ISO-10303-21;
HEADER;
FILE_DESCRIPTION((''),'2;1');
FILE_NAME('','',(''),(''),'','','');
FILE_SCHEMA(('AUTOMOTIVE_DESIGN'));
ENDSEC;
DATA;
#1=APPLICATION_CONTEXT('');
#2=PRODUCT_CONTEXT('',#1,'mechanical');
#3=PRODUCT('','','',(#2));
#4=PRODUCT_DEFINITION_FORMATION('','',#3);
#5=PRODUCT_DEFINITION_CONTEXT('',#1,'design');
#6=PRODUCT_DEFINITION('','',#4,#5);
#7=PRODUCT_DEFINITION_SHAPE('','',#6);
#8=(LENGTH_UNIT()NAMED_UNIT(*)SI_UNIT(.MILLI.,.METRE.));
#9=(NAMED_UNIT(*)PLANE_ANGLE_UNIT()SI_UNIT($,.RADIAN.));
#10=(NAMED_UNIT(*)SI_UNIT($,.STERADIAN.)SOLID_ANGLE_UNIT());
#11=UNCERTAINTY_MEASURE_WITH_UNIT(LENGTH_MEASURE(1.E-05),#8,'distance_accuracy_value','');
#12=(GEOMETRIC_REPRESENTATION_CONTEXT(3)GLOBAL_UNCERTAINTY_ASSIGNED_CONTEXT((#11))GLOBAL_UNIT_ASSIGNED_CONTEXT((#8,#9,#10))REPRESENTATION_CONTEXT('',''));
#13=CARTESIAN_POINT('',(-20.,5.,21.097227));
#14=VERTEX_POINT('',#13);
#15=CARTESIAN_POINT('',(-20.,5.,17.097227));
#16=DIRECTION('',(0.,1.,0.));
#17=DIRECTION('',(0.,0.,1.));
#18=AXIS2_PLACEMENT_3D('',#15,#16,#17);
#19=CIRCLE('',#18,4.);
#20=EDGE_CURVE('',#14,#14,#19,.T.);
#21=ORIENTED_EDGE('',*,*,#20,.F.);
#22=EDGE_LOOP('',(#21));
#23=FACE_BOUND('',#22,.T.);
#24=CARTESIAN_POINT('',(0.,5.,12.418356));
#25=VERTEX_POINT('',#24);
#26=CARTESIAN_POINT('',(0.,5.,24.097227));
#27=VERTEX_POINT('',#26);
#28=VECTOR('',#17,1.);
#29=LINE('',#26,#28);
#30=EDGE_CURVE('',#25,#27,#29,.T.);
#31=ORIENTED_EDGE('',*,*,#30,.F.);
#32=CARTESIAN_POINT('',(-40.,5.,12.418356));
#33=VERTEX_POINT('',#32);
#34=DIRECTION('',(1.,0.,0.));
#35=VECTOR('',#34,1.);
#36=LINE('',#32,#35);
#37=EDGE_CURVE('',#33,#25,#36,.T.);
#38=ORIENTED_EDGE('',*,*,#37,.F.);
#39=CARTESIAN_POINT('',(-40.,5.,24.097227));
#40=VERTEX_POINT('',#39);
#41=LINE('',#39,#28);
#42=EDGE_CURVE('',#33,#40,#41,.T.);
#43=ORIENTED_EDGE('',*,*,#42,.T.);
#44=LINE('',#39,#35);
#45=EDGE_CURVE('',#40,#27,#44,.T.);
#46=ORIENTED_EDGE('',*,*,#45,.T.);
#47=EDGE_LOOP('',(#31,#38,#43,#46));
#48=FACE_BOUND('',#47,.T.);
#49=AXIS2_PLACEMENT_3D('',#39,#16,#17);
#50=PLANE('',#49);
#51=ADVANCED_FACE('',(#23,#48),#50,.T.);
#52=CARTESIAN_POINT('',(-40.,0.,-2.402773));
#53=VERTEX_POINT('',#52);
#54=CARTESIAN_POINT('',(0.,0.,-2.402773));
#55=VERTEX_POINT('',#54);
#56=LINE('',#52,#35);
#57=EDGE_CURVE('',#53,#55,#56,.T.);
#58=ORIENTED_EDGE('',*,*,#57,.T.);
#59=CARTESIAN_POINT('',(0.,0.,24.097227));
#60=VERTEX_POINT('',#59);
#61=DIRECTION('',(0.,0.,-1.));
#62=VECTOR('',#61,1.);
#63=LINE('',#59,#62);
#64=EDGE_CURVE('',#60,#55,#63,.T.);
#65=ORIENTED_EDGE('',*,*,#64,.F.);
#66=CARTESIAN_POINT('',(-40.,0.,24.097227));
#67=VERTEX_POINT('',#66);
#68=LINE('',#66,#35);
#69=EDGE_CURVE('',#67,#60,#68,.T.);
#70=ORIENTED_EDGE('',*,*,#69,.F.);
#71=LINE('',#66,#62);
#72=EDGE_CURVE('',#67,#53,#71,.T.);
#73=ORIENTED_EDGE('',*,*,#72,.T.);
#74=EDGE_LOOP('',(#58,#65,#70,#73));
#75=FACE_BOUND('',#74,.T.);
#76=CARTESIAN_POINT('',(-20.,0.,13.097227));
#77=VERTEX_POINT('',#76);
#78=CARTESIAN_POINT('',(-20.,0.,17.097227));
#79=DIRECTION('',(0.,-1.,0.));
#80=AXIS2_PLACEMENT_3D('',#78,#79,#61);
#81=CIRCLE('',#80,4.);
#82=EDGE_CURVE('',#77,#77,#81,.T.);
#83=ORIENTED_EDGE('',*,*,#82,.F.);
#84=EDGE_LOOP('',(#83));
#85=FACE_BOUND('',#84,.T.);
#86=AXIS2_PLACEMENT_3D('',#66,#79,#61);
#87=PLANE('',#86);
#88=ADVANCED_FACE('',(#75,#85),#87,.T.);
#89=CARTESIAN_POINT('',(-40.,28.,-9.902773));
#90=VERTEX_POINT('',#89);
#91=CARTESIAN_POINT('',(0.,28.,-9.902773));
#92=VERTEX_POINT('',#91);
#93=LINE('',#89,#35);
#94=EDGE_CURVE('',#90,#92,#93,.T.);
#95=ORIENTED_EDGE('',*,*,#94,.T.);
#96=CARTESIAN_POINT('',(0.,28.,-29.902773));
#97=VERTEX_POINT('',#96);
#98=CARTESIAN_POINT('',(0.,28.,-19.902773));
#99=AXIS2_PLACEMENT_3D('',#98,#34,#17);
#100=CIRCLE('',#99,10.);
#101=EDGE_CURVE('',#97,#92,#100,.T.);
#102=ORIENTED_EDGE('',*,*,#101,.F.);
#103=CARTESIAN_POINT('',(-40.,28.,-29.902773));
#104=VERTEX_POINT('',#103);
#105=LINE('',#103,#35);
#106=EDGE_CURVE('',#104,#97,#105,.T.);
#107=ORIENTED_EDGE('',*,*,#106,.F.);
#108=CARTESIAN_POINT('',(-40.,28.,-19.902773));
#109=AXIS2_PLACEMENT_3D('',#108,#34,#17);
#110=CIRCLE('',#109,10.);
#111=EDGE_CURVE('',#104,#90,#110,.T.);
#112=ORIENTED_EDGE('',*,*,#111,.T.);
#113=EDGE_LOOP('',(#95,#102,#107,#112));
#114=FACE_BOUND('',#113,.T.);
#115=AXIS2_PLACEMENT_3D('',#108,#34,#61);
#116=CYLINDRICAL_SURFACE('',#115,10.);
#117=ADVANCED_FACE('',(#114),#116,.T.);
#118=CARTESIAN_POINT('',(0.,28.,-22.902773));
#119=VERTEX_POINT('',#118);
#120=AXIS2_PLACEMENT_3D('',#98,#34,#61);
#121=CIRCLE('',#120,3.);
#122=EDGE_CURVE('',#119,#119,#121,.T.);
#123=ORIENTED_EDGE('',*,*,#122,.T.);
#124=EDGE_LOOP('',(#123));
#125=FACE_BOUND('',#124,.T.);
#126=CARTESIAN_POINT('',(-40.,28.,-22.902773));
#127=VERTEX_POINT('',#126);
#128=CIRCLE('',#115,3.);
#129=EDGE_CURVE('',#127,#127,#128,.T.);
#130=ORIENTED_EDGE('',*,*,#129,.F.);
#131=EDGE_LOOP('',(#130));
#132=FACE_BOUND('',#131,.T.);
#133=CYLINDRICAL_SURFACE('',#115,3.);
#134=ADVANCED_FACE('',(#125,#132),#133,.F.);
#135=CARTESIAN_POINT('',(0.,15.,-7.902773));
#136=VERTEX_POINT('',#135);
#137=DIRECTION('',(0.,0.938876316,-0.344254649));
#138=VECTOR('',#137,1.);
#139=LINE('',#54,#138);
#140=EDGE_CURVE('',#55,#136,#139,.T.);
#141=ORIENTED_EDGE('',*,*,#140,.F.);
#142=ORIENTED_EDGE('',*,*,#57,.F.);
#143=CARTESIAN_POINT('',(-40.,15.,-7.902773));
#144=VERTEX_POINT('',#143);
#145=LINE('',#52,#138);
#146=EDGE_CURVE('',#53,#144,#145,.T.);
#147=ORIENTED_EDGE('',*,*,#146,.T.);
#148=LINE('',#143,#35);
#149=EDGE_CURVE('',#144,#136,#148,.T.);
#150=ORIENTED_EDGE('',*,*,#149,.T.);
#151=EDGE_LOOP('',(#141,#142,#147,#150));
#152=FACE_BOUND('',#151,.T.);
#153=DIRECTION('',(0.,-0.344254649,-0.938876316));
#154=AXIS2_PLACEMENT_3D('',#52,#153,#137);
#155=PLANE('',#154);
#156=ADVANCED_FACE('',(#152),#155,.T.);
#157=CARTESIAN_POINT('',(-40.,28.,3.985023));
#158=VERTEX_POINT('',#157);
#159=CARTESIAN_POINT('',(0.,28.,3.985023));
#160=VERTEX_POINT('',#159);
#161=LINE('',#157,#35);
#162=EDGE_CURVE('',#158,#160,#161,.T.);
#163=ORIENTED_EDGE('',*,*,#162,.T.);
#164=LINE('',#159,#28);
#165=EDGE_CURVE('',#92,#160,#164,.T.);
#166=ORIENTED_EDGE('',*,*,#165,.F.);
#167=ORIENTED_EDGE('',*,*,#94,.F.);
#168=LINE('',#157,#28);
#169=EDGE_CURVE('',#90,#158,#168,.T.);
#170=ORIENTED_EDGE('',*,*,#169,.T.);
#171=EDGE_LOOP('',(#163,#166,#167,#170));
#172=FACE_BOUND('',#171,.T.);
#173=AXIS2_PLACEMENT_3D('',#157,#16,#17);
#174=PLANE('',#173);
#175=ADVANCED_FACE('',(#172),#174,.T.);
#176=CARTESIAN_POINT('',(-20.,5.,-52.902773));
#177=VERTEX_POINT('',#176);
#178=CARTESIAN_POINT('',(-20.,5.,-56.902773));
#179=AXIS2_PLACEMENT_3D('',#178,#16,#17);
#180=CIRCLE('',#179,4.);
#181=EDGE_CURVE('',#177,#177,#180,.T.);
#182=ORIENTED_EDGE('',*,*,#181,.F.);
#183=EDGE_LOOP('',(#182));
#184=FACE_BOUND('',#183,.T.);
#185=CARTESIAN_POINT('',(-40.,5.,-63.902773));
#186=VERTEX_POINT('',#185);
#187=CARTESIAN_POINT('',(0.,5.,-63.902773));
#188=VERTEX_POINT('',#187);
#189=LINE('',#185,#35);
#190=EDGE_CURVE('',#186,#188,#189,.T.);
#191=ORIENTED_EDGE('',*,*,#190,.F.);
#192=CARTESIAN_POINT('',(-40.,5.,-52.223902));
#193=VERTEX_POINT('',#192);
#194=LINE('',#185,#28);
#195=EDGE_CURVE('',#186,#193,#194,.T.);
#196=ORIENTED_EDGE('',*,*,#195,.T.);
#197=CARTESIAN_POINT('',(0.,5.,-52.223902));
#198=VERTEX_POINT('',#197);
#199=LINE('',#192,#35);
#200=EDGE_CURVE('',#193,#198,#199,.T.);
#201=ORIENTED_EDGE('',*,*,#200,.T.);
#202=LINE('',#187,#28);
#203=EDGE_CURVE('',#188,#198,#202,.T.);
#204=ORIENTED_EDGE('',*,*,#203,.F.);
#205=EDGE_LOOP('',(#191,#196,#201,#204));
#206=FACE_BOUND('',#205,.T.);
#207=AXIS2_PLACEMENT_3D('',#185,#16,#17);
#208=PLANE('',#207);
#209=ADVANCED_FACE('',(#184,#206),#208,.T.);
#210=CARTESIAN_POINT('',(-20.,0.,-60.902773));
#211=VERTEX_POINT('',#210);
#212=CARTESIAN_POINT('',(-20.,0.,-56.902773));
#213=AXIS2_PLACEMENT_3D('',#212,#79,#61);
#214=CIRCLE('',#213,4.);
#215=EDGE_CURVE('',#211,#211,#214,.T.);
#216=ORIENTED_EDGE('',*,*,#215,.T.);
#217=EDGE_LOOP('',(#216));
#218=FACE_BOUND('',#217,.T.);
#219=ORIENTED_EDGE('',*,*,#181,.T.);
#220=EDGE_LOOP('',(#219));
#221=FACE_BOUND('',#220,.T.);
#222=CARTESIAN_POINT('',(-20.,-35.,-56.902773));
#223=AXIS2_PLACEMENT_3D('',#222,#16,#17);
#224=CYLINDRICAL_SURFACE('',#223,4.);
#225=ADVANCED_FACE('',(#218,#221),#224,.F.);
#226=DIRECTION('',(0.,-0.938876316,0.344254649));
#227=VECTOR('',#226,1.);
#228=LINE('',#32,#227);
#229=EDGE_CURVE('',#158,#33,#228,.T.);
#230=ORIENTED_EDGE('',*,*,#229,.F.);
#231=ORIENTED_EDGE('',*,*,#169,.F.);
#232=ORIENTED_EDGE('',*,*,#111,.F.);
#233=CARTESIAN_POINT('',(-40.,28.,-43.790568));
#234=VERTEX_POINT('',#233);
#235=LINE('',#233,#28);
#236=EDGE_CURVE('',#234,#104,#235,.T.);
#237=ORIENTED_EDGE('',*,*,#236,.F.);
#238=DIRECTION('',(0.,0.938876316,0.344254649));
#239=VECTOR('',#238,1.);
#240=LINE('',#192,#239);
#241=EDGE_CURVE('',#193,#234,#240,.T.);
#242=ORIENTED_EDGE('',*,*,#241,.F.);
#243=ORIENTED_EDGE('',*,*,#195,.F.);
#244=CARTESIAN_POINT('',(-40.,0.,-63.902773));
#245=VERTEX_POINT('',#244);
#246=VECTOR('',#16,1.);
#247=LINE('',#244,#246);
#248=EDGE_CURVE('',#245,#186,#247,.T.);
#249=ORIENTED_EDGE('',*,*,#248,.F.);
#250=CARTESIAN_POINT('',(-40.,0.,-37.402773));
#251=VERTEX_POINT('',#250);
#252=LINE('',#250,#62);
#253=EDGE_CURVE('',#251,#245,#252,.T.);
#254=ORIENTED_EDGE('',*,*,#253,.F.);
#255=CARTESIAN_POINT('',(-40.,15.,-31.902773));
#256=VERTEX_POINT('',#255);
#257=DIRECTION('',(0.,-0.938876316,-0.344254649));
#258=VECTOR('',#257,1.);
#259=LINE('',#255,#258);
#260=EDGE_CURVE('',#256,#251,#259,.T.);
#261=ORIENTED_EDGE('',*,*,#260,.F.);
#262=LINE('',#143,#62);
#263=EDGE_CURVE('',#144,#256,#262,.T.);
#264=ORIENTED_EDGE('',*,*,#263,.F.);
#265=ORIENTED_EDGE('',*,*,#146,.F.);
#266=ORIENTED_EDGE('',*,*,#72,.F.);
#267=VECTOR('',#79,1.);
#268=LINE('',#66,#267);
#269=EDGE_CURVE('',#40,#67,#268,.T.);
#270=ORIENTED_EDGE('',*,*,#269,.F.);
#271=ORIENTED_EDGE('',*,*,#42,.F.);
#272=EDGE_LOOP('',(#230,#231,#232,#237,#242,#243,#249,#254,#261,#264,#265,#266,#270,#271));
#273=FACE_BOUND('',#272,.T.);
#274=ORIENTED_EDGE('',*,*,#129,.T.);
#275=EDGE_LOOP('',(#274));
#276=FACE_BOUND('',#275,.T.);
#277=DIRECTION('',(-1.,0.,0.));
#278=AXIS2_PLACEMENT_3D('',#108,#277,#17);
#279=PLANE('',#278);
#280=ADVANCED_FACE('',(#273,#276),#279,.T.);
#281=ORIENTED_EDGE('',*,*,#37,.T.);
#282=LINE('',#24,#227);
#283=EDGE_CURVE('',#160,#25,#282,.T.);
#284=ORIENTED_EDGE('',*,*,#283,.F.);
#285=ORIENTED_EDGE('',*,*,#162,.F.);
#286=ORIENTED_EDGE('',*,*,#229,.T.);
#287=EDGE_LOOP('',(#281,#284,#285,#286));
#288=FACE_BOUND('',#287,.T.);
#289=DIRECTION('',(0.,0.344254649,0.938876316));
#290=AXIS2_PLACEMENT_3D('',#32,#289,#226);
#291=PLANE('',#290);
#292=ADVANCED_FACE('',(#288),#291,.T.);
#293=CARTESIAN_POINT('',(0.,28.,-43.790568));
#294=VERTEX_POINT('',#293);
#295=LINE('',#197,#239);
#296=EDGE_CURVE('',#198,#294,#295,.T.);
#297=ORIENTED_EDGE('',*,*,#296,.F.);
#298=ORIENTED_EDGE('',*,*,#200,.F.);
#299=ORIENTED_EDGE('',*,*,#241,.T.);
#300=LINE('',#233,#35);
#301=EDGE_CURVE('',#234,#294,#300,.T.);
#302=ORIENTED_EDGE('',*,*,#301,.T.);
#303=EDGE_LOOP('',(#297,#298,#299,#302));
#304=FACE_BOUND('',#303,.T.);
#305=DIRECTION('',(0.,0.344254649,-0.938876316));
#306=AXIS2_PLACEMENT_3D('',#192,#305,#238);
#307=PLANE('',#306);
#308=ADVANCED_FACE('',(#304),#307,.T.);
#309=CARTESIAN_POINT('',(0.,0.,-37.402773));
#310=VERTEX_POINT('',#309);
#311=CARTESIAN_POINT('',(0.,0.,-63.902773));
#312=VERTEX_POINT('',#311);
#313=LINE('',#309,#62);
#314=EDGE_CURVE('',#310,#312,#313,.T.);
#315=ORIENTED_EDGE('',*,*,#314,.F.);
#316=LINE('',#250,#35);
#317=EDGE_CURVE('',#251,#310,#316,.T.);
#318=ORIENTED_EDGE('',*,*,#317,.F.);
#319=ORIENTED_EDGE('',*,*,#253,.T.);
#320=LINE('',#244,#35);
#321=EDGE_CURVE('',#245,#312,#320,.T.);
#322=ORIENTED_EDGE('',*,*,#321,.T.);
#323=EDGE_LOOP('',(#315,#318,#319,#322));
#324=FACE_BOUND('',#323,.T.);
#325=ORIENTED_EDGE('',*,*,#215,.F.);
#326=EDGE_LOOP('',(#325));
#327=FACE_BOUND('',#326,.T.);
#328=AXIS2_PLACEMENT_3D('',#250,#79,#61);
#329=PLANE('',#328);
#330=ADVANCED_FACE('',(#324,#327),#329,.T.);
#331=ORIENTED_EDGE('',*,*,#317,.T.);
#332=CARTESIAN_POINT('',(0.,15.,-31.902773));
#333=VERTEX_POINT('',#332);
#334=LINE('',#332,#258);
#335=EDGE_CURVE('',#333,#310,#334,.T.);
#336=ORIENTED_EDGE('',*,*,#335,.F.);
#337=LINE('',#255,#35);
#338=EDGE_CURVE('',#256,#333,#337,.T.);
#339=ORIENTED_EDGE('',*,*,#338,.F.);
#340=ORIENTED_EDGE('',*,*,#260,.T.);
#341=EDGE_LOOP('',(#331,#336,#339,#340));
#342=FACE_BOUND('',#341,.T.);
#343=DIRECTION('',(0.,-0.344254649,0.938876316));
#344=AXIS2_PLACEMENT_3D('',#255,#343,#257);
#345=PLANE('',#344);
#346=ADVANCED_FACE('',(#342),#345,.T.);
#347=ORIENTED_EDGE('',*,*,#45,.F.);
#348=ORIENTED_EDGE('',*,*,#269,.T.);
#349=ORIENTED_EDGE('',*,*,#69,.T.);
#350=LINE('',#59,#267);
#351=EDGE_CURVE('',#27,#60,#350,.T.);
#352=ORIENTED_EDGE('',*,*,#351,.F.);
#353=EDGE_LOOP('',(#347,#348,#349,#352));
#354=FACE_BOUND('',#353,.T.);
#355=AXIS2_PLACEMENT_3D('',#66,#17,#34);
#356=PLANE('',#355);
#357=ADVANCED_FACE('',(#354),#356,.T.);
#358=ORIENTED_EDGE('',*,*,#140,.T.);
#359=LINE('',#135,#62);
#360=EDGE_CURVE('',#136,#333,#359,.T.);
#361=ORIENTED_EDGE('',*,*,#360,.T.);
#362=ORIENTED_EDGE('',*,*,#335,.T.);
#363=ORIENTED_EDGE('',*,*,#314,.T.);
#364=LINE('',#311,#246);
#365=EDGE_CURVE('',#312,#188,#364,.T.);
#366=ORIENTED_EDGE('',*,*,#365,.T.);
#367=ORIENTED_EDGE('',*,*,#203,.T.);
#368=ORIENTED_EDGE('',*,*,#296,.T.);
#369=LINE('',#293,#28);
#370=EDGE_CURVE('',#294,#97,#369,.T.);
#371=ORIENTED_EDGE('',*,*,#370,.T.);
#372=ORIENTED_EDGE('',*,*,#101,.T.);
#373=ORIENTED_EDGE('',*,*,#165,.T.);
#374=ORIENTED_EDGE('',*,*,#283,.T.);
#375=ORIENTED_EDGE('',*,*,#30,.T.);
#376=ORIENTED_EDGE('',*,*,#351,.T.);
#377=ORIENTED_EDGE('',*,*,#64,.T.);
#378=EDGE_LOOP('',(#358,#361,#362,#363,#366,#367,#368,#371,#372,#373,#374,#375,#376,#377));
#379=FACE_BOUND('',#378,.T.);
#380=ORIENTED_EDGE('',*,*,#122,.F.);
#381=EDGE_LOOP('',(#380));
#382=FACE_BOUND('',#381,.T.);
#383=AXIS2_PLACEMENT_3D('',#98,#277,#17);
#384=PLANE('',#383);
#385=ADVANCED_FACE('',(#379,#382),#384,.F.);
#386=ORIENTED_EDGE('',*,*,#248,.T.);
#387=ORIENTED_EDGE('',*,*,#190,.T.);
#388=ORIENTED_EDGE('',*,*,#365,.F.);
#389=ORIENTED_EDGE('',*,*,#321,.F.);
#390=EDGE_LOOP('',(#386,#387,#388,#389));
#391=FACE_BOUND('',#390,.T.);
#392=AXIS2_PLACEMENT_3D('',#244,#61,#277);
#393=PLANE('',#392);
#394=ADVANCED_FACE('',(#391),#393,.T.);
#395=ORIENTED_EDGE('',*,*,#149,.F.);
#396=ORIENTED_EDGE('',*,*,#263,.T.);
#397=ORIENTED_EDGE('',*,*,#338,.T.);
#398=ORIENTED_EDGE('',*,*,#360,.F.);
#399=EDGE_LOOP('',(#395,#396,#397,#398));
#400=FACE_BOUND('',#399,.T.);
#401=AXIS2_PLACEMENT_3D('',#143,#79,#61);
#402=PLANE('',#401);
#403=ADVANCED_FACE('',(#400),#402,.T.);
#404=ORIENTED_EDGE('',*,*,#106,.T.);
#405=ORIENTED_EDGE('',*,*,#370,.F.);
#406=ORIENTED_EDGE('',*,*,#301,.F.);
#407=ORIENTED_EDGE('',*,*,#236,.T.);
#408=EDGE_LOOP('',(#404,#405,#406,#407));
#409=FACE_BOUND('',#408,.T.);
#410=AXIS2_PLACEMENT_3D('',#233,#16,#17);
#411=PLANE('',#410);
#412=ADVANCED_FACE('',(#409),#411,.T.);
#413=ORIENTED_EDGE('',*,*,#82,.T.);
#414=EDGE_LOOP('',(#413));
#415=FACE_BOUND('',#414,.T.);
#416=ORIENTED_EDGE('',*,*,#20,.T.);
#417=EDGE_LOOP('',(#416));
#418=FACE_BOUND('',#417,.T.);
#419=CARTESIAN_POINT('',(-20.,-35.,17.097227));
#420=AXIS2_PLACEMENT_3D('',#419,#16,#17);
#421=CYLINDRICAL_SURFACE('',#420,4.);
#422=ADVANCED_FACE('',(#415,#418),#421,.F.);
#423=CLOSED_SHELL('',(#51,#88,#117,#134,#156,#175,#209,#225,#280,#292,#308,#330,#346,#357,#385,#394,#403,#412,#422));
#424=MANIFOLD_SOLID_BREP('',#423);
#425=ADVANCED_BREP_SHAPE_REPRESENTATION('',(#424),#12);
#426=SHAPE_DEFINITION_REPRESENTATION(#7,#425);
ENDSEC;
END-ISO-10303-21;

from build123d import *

# Parameters (mm, degrees)
SKETCH1_R           = 3
BOSS_EXTRUDE1_DEPTH = 40
SKETCH2_R           = 4
CUT_EXTRUDE1_DEPTH  = 40


with BuildPart() as part:
    # Sketch1 → Boss-Extrude1 (new body)
    with BuildSketch(Plane(origin=(0, 0, 0), x_dir=(0, 0, -1), z_dir=(1, 0, 0))):
        with BuildLine():
            Line((-24.097227121, 0), (-24.097227121, 5))
            Line((-24.097227121, 5), (-12.418356006, 5))
            Line((-12.418356006, 5), (-3.985022672, 28))
            Line((-3.985022672, 28), (9.902772879, 28))
            ThreePointArc((9.902772879, 28), (19.902772879, 38), (29.902772879, 28))
            Line((29.902772879, 28), (43.79056843, 28))
            Line((43.79056843, 28), (52.223901764, 5))
            Line((52.223901764, 5), (63.902772879, 5))
            Line((63.902772879, 5), (63.902772879, 0))
            Line((63.902772879, 0), (37.402772879, 0))
            Line((37.402772879, 0), (31.902772879, 15))
            Line((31.902772879, 15), (7.902772879, 15))
            Line((7.902772879, 15), (2.402772879, 0))
            Line((2.402772879, 0), (-24.097227121, 0))
        make_face()
        with Locations((19.902772879, 28)):
            Circle(SKETCH1_R, mode=Mode.SUBTRACT)
    extrude(amount=-BOSS_EXTRUDE1_DEPTH)

    # Sketch2 → Cut-Extrude1 (cut)
    with BuildSketch(Plane(origin=(0, 5, 0), x_dir=(1, 0, 0), z_dir=(0, 1, 0))):
        with Locations(Location((-20, -17.097227121, 0), (0, 0, 270))):
            Circle(SKETCH2_R)
        with Locations(Location((-20, 56.902772879, 0), (0, 0, 270))):
            Circle(SKETCH2_R)
    extrude(amount=-CUT_EXTRUDE1_DEPTH, mode=Mode.SUBTRACT)


solid = part.part
